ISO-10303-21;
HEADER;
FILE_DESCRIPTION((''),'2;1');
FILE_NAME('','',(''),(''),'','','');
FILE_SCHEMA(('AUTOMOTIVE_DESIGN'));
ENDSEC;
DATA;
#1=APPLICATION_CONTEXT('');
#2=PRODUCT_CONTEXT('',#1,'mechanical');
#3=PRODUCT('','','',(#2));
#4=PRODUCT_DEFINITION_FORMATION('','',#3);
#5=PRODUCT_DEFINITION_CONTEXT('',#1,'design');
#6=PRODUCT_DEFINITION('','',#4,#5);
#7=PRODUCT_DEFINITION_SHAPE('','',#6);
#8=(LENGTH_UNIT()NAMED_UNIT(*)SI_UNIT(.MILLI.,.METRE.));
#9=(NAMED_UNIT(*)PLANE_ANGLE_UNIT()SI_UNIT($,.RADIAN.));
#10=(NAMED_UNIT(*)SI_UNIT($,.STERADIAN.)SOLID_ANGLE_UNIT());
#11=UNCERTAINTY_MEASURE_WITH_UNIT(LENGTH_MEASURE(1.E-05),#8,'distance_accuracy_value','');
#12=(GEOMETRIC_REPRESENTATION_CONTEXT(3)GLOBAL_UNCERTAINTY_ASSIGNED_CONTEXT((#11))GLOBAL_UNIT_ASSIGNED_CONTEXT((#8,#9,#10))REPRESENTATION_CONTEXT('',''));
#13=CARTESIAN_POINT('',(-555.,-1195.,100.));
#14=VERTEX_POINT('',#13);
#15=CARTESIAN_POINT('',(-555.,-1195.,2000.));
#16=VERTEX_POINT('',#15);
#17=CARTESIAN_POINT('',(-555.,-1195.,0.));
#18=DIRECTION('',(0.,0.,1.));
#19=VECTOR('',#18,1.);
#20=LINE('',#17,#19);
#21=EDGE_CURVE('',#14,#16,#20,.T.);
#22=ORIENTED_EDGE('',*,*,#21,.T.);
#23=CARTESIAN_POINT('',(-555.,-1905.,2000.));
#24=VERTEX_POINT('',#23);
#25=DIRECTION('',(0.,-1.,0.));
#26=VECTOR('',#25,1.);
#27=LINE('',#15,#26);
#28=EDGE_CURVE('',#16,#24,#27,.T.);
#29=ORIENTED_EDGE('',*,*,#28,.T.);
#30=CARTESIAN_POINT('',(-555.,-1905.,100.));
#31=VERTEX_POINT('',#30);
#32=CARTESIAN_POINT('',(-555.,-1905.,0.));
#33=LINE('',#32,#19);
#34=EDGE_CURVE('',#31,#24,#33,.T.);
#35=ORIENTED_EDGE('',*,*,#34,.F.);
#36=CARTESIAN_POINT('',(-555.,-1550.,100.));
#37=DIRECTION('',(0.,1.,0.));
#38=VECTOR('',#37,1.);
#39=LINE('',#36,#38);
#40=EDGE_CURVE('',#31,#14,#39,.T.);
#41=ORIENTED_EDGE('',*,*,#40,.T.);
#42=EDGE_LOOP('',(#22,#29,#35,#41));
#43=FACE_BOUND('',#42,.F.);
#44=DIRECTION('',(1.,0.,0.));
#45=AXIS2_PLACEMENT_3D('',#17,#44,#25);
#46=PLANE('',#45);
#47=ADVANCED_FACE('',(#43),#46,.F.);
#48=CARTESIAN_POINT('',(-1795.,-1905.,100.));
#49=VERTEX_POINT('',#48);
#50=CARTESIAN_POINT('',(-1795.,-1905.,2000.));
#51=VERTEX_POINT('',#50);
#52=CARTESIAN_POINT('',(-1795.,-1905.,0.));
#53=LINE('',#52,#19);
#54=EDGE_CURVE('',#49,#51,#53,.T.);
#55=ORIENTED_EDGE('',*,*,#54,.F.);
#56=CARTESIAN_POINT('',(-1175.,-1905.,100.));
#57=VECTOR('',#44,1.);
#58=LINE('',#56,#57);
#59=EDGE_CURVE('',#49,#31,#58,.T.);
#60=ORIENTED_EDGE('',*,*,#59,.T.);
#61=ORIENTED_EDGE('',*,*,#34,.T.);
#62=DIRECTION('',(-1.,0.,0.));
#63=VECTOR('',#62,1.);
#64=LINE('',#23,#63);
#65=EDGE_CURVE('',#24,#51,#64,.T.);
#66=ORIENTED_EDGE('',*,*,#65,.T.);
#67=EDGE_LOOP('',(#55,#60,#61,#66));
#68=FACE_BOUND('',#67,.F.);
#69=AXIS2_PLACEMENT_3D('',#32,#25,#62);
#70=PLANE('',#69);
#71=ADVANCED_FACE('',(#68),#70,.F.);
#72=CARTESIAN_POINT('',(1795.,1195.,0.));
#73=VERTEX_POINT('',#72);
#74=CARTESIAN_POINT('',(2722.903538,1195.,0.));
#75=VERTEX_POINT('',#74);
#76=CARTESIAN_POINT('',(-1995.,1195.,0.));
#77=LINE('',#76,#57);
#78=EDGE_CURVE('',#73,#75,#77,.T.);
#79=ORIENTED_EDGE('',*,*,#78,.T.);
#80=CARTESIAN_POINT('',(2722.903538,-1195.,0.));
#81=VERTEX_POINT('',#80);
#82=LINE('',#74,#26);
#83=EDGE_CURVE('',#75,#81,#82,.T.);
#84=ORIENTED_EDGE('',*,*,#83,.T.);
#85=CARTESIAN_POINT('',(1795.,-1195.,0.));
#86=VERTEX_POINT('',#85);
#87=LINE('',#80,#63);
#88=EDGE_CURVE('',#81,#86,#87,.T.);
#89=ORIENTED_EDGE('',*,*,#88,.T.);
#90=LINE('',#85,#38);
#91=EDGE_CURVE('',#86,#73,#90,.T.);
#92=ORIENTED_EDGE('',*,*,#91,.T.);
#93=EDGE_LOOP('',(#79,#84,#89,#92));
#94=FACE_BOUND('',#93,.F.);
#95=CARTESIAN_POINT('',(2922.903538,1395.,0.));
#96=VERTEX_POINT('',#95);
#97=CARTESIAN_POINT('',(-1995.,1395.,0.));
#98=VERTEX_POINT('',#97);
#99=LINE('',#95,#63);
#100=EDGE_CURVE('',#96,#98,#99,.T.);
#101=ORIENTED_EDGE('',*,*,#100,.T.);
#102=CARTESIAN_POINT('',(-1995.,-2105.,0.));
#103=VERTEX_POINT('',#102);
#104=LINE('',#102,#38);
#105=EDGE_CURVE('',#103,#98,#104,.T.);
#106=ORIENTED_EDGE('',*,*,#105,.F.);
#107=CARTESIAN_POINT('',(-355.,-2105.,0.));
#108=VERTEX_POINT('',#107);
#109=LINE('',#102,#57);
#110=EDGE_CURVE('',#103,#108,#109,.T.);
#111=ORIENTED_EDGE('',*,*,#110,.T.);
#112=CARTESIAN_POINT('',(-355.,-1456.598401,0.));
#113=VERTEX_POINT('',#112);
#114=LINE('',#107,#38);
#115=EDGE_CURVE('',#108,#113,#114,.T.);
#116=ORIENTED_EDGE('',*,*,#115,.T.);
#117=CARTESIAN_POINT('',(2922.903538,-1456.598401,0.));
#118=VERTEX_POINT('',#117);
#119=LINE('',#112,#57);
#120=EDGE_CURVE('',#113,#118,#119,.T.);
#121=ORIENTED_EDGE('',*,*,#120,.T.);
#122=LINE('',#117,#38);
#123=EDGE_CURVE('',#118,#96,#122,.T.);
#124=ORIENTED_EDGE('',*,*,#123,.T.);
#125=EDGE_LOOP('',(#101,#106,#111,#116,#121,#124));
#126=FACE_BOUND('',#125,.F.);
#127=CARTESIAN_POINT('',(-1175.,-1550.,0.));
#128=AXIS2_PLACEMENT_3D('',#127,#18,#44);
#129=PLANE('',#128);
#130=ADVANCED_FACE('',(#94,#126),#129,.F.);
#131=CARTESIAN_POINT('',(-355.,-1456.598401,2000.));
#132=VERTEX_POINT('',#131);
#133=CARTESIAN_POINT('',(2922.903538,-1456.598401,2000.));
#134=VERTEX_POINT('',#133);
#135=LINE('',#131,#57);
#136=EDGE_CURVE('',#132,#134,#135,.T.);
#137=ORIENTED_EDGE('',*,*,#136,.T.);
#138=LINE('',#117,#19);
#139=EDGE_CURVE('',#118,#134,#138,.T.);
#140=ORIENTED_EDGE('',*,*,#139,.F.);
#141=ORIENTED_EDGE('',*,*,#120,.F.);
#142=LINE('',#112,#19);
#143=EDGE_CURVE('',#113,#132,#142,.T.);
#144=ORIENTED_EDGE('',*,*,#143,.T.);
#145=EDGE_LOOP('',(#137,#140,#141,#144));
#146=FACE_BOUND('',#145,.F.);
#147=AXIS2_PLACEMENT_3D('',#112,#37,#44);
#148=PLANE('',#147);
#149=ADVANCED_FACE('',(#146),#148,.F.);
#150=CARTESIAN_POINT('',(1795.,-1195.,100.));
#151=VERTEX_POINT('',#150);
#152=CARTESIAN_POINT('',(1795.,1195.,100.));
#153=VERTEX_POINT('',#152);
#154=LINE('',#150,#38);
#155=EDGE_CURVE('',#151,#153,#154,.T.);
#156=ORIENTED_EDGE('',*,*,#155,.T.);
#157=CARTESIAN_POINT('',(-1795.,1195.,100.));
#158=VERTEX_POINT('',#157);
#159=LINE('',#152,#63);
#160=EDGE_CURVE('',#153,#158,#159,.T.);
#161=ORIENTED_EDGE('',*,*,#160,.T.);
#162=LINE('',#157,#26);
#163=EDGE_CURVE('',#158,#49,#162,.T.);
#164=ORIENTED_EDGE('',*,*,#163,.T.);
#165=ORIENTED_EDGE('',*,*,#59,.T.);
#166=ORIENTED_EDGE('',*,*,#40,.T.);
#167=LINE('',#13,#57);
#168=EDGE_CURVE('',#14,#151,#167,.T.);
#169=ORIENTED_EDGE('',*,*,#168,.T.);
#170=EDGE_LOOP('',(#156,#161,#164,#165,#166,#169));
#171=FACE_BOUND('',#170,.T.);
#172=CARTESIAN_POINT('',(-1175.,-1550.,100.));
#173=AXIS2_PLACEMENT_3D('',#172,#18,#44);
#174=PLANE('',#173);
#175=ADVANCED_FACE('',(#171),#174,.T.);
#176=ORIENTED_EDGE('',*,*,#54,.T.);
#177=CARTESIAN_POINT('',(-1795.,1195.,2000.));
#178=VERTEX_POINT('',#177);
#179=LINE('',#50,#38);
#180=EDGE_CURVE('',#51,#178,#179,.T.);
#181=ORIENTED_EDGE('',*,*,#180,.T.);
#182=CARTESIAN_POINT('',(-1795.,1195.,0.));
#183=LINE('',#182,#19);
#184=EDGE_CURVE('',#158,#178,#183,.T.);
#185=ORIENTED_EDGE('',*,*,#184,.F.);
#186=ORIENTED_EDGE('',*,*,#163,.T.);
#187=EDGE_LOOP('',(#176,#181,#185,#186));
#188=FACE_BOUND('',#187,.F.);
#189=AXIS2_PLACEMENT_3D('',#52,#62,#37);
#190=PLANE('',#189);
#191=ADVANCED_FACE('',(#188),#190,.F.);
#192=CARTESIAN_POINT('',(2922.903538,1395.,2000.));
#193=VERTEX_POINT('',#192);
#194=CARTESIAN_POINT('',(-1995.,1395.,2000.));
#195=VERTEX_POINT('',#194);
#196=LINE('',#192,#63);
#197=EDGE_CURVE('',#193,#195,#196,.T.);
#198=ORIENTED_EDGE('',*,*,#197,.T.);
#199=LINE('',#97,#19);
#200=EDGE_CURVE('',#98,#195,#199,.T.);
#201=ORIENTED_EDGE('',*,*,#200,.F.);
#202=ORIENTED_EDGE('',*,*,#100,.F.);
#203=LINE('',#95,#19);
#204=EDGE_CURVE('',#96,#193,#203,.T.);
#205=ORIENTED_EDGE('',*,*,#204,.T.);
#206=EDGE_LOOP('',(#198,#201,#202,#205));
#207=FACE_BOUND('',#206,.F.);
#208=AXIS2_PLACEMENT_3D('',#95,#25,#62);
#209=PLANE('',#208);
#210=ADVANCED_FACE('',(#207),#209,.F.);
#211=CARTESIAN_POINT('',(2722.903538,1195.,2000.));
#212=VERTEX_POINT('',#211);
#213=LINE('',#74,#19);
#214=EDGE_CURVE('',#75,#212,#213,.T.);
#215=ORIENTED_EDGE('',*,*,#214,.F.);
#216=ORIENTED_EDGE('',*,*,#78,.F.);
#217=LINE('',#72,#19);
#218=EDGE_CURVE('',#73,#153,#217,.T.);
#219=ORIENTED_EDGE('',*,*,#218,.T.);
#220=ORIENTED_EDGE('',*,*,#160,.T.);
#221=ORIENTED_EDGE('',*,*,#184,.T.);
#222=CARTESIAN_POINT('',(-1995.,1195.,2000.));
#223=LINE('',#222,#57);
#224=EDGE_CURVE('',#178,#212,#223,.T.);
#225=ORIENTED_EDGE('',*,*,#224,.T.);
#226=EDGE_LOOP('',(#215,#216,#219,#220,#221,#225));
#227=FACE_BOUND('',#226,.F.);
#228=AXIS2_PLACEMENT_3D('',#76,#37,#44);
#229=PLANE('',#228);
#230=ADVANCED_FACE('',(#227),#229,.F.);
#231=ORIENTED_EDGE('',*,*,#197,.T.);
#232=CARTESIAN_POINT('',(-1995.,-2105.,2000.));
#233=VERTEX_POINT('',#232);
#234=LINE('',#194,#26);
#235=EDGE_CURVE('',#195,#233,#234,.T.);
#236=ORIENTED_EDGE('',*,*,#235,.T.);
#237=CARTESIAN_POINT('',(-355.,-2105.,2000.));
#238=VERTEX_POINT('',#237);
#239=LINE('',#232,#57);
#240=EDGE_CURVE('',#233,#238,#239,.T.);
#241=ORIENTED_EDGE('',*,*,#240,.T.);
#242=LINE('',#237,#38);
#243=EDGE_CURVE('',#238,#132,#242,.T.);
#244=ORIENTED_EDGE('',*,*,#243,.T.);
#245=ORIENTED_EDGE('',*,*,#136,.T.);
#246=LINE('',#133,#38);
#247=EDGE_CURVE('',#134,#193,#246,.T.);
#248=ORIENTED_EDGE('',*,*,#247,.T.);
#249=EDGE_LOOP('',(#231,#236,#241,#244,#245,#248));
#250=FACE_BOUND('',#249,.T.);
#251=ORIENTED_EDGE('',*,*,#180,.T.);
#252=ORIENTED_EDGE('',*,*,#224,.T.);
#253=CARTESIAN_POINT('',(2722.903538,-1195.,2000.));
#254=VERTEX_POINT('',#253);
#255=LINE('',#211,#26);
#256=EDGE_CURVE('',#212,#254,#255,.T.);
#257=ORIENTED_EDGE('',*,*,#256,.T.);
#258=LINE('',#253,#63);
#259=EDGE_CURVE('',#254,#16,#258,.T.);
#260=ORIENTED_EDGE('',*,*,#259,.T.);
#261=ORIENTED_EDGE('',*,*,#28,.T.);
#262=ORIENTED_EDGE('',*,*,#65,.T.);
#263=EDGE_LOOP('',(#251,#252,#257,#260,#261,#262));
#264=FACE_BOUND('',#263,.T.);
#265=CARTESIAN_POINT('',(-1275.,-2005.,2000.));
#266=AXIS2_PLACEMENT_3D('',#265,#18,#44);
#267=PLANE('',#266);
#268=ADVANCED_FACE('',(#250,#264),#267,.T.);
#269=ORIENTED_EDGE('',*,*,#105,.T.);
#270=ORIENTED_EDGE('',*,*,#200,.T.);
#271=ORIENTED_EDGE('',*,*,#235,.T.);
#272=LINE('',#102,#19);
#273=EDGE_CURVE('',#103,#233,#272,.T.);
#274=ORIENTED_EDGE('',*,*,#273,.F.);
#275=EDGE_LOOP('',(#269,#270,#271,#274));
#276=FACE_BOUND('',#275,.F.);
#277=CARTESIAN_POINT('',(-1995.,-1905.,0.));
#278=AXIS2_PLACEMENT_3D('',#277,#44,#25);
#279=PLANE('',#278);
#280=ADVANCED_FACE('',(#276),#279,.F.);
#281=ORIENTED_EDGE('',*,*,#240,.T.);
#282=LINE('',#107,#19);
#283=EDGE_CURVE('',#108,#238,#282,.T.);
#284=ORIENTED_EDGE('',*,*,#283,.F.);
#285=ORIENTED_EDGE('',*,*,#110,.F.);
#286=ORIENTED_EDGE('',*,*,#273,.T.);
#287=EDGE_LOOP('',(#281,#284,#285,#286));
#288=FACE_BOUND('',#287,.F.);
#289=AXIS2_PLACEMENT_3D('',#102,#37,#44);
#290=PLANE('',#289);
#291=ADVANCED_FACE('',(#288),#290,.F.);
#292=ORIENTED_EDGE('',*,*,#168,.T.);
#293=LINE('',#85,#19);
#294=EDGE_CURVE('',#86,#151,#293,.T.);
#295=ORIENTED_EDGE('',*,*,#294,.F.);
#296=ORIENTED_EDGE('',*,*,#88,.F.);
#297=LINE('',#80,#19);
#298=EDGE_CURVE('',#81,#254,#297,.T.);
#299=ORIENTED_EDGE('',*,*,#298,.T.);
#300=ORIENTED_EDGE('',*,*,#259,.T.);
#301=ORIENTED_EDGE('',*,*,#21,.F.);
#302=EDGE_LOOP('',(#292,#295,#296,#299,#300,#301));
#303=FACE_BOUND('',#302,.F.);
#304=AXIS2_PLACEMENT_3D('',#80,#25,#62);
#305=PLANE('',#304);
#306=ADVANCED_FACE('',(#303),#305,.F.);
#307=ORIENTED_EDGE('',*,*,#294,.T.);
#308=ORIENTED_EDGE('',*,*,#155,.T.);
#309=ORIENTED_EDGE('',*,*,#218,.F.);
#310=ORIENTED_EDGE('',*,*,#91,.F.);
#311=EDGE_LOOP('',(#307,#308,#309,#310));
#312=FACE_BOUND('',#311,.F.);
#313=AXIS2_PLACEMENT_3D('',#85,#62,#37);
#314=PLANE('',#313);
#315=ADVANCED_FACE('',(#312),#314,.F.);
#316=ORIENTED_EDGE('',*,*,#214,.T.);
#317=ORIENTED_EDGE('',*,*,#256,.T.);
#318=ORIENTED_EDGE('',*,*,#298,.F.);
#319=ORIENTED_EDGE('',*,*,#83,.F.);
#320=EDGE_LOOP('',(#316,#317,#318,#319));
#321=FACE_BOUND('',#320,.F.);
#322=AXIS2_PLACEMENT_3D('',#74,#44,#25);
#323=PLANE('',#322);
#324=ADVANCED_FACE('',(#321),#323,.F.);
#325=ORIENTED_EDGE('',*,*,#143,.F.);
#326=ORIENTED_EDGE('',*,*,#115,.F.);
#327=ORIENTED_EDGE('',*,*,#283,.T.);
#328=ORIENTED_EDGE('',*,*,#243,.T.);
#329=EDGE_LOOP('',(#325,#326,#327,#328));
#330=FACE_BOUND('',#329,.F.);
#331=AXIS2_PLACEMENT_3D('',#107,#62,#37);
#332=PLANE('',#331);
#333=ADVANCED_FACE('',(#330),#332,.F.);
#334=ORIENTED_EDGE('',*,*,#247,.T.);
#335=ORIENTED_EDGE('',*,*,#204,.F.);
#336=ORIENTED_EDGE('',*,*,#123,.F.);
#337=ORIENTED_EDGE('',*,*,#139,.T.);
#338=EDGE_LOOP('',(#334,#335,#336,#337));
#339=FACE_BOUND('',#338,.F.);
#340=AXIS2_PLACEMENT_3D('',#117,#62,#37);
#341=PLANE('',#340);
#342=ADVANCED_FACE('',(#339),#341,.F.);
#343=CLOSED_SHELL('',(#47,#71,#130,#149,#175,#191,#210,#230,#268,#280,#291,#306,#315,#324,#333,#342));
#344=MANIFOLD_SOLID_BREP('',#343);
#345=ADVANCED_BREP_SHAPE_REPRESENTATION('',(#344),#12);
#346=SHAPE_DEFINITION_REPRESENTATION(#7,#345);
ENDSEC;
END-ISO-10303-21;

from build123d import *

# Parameters (mm, degrees)
F1_DEPTH = 2000
F2_DEPTH = 2000
F0_W     = 1240
F0_H     = 710
F3_DEPTH = 100


with BuildPart() as f1:
    # F0 (on Top) → F1 (new body)
    with BuildSketch(Plane.XY):
        Polygon((-1795, -1195), (-1795, 1195), (-1995, 1195), (-1995, -1905), (-1795, -1905), align=None)
    extrude(amount=F1_DEPTH)

    # F0 (on Top) → F2 (join)
    with BuildSketch(Plane.XY):
        Polygon((-555, -1905), (-1795, -1905), (-1995, -1905), (-1995, -2105), (-555, -2105), align=None)
        Polygon((-355, -1195), (-555, -1195), (-555, -1905), (-555, -2105), (-355, -2105), (-355, -1456.598401), align=None)
        Polygon((2722.903538, -1195), (1795, -1195), (-355, -1195), (-355, -1456.598401), (2722.903538, -1456.598401), align=None)
        Polygon((2922.903538, 1195), (2722.903538, 1195), (2722.903538, -1195), (2722.903538, -1456.598401), (2922.903538, -1456.598401), align=None)
        Polygon((-1995, 1195), (-1795, 1195), (1795, 1195), (2722.903538, 1195), (2922.903538, 1195), (2922.903538, 1395), (-1995, 1395), align=None)
    extrude(amount=F2_DEPTH)

    # F0 (on Top) → F3 (join)
    with BuildSketch(Plane.XY):
        with Locations((-1175, -1550)):
            Rectangle(F0_W, F0_H)
        Polygon((1795, 1195), (-1795, 1195), (-1795, -1195), (-555, -1195), (-355, -1195), (1795, -1195), align=None)
    extrude(amount=F3_DEPTH)


solid = f1.part
